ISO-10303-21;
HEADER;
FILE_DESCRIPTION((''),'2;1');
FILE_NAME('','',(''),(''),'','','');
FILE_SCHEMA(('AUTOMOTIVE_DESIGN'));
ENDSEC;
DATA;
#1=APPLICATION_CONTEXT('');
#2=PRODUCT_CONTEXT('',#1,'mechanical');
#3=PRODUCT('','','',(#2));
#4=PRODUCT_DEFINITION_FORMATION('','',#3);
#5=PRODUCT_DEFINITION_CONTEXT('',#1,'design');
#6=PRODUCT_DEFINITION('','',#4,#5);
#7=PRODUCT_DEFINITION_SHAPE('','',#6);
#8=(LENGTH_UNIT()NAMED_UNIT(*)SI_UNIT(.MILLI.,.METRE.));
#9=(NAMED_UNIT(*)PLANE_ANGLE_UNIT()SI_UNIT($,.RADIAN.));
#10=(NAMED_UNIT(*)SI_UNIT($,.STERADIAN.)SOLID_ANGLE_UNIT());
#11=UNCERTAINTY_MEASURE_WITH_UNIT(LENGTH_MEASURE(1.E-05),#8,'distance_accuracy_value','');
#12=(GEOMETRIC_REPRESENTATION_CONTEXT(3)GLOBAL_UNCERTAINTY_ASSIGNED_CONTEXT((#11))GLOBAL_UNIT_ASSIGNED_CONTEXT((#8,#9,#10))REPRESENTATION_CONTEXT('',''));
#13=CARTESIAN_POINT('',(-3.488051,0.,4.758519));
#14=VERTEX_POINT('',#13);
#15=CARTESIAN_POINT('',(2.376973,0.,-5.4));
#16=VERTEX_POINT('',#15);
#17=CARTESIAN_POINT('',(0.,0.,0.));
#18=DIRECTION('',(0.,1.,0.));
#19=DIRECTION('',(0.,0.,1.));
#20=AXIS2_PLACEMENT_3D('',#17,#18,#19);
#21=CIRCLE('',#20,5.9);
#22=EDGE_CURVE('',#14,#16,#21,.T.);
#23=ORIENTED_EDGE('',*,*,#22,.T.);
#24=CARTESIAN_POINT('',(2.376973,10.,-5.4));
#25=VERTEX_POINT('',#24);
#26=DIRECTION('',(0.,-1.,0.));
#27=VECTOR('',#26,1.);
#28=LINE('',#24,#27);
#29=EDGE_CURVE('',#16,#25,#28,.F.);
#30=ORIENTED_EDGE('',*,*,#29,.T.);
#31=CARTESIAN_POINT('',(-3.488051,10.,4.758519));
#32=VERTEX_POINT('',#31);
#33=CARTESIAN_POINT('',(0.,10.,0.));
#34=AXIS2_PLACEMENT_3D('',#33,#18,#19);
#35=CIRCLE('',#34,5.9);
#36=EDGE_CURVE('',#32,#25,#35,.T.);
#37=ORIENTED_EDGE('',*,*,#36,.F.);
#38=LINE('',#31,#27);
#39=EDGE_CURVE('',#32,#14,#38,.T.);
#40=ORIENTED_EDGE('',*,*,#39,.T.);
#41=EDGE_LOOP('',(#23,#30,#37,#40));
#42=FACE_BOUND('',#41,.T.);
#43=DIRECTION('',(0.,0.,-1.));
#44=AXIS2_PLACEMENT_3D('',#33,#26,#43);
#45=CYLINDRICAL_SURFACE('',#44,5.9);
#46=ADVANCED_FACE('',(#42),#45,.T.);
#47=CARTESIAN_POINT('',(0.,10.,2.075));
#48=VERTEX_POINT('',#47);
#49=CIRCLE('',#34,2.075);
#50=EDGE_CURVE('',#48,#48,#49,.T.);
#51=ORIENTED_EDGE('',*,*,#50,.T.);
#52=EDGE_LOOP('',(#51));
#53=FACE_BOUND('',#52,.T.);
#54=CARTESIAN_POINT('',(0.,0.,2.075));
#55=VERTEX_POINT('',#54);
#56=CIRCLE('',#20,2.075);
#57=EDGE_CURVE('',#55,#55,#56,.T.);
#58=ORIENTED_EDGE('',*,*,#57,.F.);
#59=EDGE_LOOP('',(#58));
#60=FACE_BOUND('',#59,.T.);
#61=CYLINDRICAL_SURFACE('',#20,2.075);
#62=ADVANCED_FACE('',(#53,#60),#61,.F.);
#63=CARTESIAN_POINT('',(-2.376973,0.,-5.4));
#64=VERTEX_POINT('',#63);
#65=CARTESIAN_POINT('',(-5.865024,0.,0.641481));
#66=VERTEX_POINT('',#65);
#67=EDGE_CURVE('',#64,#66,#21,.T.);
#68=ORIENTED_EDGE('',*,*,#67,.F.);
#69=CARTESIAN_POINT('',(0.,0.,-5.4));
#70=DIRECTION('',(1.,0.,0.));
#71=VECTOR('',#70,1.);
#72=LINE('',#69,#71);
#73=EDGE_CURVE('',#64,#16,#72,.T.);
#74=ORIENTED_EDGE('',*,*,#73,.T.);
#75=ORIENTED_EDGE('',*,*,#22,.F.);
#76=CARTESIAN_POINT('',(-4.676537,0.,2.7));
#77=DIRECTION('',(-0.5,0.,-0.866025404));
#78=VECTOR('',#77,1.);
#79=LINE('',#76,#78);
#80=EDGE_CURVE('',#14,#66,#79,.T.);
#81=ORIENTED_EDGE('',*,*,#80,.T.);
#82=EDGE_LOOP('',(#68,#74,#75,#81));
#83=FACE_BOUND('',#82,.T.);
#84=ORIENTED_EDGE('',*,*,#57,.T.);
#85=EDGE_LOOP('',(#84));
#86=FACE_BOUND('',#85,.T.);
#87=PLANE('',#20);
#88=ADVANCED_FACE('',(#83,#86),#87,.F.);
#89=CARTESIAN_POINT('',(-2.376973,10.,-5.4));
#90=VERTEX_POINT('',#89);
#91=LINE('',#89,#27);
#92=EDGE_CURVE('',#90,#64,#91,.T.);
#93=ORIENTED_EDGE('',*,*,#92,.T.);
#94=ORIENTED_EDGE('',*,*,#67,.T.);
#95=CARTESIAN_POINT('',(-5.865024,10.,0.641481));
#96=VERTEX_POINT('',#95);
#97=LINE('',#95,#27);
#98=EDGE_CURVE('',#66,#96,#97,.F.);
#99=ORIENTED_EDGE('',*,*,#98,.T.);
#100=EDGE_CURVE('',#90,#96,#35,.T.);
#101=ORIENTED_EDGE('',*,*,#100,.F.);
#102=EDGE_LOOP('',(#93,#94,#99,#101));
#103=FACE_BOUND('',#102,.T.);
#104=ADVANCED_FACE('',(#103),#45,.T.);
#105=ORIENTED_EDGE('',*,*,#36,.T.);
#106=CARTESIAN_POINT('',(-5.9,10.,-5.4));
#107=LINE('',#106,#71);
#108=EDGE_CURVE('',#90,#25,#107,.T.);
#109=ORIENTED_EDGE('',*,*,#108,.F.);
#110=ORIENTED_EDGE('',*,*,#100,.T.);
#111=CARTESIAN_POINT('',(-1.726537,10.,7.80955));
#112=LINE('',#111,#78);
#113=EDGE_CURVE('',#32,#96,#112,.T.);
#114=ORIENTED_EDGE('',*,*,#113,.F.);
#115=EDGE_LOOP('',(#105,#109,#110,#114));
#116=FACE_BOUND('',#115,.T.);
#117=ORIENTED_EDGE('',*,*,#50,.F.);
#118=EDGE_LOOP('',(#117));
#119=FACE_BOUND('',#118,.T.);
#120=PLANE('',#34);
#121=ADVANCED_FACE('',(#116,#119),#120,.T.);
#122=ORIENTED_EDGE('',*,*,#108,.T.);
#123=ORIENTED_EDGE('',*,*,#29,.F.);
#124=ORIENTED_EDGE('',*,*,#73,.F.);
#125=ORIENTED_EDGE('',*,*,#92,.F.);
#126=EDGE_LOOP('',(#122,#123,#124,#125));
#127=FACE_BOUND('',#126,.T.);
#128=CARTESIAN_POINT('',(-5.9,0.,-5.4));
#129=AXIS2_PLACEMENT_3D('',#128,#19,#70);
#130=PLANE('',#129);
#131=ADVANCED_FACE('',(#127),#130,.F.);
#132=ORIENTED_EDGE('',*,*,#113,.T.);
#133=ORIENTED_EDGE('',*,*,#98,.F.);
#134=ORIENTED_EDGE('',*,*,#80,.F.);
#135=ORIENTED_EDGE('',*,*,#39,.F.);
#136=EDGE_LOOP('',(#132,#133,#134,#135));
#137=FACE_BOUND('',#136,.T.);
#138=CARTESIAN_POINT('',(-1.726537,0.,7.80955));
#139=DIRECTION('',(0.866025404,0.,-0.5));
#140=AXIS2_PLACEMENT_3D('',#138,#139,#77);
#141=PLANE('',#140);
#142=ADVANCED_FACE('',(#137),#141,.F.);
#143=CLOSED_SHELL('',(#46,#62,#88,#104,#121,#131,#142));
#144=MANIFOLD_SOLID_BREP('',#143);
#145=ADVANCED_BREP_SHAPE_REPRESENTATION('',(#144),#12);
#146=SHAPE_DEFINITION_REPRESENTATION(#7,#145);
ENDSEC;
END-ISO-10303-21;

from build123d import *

# Parameters (mm, degrees)
SKETCH2_R           = 5.9
BOSS_EXTRUDE1_DEPTH = 10
SKETCH3_R           = 2.075
CUT_EXTRUDE1_DEPTH  = 11
SKETCH4_W           = 11.8
SKETCH4_H           = 1
CUT_EXTRUDE2_DEPTH  = 11
CIRPATTERN1_COUNT   = 2
CIRPATTERN1_ANGLE   = 120


with BuildPart() as part:
    # Sketch2 → Boss-Extrude1 (new body)
    with BuildSketch(Plane(origin=(0, 0, 0), x_dir=(1, 0, 0), z_dir=(0, 1, 0))):
        Circle(SKETCH2_R)
    extrude(amount=BOSS_EXTRUDE1_DEPTH)

    # Sketch3 → Cut-Extrude1 (cut, through all)
    with BuildSketch(Plane(origin=(0, 10, 0), x_dir=(1, 0, 0), z_dir=(0, 1, 0))):
        Circle(SKETCH3_R)
    extrude(amount=-CUT_EXTRUDE1_DEPTH, mode=Mode.SUBTRACT)

    # Sketch4 → Cut-Extrude2 (cut, through all)
    with BuildSketch(Plane(origin=(0, 10, 0), x_dir=(1, 0, 0), z_dir=(0, 1, 0))):
        with Locations((0, 5.9)):
            Rectangle(SKETCH4_W, SKETCH4_H)
    cut_extrude2 = extrude(amount=-CUT_EXTRUDE2_DEPTH, mode=Mode.SUBTRACT)

    # CirPattern1: Cut-Extrude2 ×2 about axis
    cirpattern1_axis = Axis((0, 10, 0), (0, 1, 0))
    for i in range(1, CIRPATTERN1_COUNT):
        add(cut_extrude2.rotate(cirpattern1_axis, i * CIRPATTERN1_ANGLE / (CIRPATTERN1_COUNT - 1)), mode=Mode.SUBTRACT)


solid = part.part
